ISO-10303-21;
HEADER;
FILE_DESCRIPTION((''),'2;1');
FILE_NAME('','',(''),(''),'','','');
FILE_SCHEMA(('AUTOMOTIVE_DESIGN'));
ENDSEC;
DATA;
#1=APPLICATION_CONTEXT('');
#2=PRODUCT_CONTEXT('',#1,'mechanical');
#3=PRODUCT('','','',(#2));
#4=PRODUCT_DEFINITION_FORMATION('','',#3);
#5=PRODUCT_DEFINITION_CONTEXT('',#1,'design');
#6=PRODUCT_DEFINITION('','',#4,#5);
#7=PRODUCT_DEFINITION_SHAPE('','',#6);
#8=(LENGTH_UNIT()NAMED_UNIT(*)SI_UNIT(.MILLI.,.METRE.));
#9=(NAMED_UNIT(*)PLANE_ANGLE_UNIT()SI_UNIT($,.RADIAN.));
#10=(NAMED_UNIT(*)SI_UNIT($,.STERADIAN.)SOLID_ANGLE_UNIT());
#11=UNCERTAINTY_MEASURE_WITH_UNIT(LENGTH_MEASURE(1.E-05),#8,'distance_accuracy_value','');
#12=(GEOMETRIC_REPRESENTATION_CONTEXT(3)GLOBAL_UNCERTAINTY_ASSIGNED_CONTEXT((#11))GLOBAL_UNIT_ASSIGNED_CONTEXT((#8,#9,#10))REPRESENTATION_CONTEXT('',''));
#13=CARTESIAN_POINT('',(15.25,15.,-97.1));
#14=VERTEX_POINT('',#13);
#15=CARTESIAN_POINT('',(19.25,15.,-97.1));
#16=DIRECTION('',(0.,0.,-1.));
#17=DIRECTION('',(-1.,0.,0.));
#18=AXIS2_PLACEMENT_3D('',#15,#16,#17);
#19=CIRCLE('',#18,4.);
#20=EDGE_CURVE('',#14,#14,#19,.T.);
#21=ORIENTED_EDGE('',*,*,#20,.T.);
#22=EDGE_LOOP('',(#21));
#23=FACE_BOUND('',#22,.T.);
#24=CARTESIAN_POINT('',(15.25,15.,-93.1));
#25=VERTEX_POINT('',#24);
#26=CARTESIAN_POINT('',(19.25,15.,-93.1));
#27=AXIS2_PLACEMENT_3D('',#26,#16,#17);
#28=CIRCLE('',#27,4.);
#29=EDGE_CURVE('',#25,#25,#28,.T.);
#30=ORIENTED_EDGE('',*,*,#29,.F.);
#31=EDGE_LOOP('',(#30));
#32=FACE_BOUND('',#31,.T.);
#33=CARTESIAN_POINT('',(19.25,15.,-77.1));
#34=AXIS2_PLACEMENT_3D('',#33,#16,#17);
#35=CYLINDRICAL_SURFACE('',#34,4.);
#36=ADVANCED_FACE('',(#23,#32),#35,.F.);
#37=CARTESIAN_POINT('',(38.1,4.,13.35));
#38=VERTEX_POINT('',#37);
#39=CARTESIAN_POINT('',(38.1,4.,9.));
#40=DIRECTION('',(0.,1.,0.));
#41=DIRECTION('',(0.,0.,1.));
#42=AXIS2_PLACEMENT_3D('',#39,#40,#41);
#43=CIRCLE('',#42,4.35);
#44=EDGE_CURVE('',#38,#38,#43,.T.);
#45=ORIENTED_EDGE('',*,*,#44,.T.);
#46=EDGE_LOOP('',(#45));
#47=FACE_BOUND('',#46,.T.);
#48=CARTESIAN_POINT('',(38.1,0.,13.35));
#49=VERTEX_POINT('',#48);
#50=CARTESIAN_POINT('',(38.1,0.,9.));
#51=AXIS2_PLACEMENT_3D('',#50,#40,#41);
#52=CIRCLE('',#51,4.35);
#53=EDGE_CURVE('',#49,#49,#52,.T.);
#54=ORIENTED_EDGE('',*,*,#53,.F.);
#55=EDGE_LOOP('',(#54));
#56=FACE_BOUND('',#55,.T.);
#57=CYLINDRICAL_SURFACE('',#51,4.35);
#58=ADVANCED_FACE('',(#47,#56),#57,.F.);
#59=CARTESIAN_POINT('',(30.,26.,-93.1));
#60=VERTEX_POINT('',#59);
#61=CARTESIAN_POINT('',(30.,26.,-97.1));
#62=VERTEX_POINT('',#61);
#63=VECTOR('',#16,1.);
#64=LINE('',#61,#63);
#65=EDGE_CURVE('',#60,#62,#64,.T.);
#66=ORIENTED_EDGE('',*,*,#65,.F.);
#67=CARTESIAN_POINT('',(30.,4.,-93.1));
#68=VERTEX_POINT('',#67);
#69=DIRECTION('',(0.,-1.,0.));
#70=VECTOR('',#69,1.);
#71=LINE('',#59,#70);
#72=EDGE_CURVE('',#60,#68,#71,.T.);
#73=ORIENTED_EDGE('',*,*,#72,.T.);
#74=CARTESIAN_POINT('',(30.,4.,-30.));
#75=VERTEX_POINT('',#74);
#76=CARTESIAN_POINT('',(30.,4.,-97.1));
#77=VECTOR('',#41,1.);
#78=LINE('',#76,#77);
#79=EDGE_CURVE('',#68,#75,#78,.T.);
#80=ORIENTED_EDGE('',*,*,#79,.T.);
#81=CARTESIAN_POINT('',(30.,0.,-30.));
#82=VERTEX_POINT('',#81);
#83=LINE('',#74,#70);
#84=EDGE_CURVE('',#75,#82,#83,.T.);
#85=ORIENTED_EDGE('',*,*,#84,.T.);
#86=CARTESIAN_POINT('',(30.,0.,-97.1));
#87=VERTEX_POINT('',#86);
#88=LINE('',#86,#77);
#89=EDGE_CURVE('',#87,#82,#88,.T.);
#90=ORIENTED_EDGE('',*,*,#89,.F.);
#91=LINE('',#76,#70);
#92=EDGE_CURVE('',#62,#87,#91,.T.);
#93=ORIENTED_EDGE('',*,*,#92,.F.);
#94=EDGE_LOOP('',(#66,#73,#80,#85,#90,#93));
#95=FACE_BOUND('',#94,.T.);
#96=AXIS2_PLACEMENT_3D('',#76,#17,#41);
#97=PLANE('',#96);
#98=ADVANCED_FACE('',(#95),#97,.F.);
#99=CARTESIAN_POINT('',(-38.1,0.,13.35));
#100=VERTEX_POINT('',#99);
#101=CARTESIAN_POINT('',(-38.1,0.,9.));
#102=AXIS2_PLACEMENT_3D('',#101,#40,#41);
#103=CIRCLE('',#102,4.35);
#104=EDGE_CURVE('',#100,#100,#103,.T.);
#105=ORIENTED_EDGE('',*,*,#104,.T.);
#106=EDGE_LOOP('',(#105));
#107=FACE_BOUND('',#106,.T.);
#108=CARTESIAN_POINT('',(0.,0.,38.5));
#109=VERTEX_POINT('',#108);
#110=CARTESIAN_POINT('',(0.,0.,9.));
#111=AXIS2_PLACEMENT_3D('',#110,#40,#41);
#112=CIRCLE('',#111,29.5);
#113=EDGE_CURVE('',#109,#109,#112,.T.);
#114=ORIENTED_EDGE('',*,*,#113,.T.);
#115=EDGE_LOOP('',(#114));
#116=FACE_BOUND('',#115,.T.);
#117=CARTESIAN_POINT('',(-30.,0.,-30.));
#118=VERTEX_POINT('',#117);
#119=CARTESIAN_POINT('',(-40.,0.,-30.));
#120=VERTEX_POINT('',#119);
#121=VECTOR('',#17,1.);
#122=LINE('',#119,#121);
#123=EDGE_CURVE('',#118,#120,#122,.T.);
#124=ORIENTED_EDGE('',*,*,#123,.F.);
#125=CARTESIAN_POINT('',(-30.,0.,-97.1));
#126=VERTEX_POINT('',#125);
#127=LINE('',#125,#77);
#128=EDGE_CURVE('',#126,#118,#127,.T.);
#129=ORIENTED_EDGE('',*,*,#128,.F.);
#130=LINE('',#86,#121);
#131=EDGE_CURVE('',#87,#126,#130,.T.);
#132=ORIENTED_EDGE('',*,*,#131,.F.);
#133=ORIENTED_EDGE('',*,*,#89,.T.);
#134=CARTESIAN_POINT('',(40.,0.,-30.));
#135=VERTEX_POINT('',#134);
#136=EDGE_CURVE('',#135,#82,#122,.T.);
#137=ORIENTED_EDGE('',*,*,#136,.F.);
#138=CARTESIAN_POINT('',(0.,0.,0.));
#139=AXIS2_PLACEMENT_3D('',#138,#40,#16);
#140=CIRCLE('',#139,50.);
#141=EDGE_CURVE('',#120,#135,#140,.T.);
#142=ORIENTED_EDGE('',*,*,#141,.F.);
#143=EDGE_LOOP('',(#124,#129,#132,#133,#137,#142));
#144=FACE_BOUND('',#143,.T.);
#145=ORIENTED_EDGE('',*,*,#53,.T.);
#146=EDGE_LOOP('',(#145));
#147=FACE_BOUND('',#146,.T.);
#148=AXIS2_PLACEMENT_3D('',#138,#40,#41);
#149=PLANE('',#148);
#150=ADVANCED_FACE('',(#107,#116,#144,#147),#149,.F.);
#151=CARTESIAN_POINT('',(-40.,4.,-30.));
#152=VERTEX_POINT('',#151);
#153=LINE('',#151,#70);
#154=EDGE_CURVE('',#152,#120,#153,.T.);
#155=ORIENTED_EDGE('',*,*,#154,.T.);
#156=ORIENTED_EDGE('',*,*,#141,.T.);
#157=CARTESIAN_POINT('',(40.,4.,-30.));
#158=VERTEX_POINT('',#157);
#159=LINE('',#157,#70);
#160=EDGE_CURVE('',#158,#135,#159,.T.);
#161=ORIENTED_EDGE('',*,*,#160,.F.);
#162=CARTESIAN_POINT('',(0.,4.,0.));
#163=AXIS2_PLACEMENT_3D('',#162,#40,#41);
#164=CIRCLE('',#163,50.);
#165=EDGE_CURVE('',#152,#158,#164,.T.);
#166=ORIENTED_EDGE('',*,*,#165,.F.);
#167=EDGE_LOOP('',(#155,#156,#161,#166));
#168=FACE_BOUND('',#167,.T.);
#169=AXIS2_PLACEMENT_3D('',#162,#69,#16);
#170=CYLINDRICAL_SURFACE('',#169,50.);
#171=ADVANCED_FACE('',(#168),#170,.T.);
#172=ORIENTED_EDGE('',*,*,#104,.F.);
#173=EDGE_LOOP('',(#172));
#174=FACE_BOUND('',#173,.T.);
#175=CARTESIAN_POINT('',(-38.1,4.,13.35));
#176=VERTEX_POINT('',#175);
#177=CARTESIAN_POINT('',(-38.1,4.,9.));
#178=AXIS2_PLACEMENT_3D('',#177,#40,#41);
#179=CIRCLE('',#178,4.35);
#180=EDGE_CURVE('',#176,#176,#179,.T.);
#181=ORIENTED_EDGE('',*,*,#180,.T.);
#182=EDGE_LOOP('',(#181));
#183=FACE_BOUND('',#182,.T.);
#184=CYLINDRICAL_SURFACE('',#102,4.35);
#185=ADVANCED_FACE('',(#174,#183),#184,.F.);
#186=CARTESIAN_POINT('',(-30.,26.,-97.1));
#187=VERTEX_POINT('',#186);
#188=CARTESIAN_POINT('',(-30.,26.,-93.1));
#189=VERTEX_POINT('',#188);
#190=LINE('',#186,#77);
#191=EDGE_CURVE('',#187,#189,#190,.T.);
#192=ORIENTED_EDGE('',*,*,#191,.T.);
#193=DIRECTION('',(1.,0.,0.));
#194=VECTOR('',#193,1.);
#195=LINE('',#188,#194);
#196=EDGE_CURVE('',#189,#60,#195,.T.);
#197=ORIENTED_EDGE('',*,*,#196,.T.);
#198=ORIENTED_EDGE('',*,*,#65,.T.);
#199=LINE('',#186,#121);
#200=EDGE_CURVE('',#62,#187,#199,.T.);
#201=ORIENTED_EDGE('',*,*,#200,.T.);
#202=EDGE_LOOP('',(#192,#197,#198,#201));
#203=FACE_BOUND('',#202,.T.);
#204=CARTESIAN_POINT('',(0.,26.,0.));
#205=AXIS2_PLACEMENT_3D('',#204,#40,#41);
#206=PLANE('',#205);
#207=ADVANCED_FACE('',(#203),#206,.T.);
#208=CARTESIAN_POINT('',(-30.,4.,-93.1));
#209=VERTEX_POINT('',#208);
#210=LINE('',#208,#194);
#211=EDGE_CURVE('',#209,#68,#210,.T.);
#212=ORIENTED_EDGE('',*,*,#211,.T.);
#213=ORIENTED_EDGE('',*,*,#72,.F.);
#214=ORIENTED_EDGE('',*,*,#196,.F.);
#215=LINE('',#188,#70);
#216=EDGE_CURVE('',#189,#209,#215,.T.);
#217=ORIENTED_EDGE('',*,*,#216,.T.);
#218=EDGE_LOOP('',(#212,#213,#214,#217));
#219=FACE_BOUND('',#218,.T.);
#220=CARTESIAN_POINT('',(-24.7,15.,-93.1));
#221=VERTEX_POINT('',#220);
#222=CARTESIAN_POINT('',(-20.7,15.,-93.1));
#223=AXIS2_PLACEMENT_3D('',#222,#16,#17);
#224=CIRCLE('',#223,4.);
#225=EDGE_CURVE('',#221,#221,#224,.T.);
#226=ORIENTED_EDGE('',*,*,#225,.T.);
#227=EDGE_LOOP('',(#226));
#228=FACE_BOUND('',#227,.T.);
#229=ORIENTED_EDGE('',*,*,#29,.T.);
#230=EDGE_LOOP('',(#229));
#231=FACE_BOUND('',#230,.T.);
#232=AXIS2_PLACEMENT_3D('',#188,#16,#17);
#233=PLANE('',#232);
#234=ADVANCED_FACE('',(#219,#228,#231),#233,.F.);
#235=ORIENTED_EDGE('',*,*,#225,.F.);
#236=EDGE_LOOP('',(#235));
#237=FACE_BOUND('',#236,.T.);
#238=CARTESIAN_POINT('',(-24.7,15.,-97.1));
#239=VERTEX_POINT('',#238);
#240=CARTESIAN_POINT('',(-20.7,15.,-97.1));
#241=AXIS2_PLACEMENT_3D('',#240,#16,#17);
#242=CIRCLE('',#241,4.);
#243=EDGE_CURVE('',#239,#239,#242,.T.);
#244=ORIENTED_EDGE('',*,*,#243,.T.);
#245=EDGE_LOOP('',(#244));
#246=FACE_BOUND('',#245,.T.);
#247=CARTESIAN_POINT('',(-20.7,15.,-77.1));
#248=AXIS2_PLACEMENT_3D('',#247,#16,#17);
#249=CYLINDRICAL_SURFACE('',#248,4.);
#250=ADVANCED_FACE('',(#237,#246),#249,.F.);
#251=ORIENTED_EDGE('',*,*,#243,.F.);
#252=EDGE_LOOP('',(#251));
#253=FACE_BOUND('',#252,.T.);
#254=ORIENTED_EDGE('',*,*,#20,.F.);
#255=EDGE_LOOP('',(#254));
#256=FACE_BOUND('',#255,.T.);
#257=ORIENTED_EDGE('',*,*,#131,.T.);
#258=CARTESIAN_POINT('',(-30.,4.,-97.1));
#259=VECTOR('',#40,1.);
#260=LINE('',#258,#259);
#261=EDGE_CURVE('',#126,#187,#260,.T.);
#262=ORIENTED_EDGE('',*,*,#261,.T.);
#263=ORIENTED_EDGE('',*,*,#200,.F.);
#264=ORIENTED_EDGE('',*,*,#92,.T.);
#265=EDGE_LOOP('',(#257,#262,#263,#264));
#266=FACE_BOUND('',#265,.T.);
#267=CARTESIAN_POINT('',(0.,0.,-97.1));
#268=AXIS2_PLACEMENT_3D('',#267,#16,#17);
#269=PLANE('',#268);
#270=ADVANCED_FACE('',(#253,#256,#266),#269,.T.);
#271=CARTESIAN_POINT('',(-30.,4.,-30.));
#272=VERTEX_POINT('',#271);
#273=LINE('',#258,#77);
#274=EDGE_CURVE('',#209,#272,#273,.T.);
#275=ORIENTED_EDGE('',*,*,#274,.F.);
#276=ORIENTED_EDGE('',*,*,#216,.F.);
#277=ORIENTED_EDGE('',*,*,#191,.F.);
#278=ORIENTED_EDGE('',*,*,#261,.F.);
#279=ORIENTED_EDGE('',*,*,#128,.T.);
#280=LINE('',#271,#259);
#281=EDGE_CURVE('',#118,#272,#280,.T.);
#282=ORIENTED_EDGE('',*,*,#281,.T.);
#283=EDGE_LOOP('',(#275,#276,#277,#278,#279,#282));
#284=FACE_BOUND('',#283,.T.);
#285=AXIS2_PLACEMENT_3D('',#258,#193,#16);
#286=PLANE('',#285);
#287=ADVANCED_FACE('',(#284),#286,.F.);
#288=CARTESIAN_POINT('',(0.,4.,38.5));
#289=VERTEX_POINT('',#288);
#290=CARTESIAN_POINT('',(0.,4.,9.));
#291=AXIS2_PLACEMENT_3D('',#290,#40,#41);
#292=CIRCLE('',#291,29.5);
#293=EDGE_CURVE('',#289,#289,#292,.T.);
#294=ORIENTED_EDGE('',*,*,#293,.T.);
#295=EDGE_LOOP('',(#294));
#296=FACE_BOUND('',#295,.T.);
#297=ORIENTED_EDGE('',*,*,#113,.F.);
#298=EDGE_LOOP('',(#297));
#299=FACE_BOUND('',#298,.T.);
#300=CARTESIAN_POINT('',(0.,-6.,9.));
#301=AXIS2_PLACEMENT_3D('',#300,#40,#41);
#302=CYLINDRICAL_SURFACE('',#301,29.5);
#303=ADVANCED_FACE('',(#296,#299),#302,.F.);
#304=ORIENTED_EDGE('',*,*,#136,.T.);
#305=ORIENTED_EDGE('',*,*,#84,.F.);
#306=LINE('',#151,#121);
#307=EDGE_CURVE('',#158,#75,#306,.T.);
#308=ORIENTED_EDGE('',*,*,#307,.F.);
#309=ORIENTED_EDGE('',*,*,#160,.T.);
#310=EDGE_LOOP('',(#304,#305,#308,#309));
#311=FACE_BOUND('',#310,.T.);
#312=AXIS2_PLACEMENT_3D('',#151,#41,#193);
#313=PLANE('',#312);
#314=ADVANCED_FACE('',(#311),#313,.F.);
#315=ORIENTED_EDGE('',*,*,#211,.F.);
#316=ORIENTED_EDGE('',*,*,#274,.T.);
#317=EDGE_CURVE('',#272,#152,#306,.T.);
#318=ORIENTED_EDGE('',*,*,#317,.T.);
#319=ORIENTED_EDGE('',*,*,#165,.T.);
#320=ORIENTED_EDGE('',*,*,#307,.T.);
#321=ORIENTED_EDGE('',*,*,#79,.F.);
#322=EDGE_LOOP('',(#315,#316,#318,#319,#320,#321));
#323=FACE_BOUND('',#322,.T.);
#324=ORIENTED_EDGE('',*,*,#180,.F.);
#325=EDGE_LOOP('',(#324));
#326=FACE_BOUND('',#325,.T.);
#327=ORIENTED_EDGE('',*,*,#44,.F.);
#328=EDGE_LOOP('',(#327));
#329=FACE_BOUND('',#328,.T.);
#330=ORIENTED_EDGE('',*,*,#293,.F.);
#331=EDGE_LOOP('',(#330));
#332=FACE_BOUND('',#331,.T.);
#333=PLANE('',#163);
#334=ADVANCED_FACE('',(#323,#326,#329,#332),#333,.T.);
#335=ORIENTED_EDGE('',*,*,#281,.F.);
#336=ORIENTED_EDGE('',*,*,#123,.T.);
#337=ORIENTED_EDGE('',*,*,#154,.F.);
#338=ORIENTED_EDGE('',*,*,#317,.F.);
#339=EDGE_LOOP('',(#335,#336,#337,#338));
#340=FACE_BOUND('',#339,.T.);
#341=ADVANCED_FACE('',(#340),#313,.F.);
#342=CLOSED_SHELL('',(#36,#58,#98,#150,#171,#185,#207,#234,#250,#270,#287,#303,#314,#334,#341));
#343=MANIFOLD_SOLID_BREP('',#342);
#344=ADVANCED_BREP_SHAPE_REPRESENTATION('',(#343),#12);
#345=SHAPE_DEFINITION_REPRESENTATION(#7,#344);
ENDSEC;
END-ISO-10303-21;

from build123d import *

# Parameters (mm, degrees)
BOSS_EXTRUDE1_DEPTH = 4
SKETCH2_R           = 4.35
CUT_EXTRUDE1_DEPTH  = 4
SKETCH8_W           = 60
SKETCH8_H           = 4
BOSS_EXTRUDE4_DEPTH = 67.1
SKETCH10_W          = 60
SKETCH10_H          = 4
BOSS_EXTRUDE6_DEPTH = 22
SKETCH11_R          = 4
CUT_EXTRUDE2_DEPTH  = 20
SKETCH12_R          = 29.5
CUT_EXTRUDE3_DEPTH  = 10


with BuildPart() as part:
    # Sketch1 → Boss-Extrude1 (new body)
    with BuildSketch(Plane(origin=(0, 0, 0), x_dir=(1, 0, 0), z_dir=(0, 1, 0))):
        with BuildLine():
            Line((-40, 30), (40, 30))
            ThreePointArc((40, 30), (47.434164903, 15.811388301), (50, 0))
            ThreePointArc((50, 0), (0, -50), (-50, 0))
            ThreePointArc((-50, 0), (-47.434164903, 15.811388301), (-40, 30))
        make_face()
    extrude(amount=BOSS_EXTRUDE1_DEPTH)

    # Sketch2 → Cut-Extrude1 (cut)
    with BuildSketch(Plane(origin=(0, 4, 0), x_dir=(1, 0, 0), z_dir=(0, 1, 0))):
        with Locations(Location((-38.1, -9, 0), (0, 0, 270))):
            Circle(SKETCH2_R)
        with Locations(Location((38.1, -9, 0), (0, 0, 270))):
            Circle(SKETCH2_R)
    extrude(amount=-CUT_EXTRUDE1_DEPTH, mode=Mode.SUBTRACT)

    # Sketch8 → Boss-Extrude4 (add)
    with BuildSketch(Plane(origin=(0, 0, -30), x_dir=(-1, 0, 0), z_dir=(0, 0, -1))):
        with Locations((0, 2)):
            Rectangle(SKETCH8_W, SKETCH8_H)
    extrude(amount=BOSS_EXTRUDE4_DEPTH)

    # Sketch10 → Boss-Extrude6 (add)
    with BuildSketch(Plane(origin=(0, 4, 0), x_dir=(1, 0, 0), z_dir=(0, 1, 0))):
        with Locations((0, 95.1)):
            Rectangle(SKETCH10_W, SKETCH10_H)
    extrude(amount=BOSS_EXTRUDE6_DEPTH)

    # Sketch11 → Cut-Extrude2 (cut)
    with BuildSketch(Plane(origin=(0, 0, -97.1), x_dir=(-1, 0, 0), z_dir=(0, 0, -1))):
        with Locations((-19.25, 15)):
            Circle(SKETCH11_R)
        with Locations((20.7, 15)):
            Circle(SKETCH11_R)
    extrude(amount=-CUT_EXTRUDE2_DEPTH, mode=Mode.SUBTRACT)

    # Sketch12 → Cut-Extrude3 (cut)
    with BuildSketch(Plane(origin=(0, 4, 0), x_dir=(1, 0, 0), z_dir=(0, 1, 0))):
        with Locations(Location((0, -9, 0), (0, 0, 270))):
            Circle(SKETCH12_R)
    extrude(amount=-CUT_EXTRUDE3_DEPTH, mode=Mode.SUBTRACT)


solid = part.part
